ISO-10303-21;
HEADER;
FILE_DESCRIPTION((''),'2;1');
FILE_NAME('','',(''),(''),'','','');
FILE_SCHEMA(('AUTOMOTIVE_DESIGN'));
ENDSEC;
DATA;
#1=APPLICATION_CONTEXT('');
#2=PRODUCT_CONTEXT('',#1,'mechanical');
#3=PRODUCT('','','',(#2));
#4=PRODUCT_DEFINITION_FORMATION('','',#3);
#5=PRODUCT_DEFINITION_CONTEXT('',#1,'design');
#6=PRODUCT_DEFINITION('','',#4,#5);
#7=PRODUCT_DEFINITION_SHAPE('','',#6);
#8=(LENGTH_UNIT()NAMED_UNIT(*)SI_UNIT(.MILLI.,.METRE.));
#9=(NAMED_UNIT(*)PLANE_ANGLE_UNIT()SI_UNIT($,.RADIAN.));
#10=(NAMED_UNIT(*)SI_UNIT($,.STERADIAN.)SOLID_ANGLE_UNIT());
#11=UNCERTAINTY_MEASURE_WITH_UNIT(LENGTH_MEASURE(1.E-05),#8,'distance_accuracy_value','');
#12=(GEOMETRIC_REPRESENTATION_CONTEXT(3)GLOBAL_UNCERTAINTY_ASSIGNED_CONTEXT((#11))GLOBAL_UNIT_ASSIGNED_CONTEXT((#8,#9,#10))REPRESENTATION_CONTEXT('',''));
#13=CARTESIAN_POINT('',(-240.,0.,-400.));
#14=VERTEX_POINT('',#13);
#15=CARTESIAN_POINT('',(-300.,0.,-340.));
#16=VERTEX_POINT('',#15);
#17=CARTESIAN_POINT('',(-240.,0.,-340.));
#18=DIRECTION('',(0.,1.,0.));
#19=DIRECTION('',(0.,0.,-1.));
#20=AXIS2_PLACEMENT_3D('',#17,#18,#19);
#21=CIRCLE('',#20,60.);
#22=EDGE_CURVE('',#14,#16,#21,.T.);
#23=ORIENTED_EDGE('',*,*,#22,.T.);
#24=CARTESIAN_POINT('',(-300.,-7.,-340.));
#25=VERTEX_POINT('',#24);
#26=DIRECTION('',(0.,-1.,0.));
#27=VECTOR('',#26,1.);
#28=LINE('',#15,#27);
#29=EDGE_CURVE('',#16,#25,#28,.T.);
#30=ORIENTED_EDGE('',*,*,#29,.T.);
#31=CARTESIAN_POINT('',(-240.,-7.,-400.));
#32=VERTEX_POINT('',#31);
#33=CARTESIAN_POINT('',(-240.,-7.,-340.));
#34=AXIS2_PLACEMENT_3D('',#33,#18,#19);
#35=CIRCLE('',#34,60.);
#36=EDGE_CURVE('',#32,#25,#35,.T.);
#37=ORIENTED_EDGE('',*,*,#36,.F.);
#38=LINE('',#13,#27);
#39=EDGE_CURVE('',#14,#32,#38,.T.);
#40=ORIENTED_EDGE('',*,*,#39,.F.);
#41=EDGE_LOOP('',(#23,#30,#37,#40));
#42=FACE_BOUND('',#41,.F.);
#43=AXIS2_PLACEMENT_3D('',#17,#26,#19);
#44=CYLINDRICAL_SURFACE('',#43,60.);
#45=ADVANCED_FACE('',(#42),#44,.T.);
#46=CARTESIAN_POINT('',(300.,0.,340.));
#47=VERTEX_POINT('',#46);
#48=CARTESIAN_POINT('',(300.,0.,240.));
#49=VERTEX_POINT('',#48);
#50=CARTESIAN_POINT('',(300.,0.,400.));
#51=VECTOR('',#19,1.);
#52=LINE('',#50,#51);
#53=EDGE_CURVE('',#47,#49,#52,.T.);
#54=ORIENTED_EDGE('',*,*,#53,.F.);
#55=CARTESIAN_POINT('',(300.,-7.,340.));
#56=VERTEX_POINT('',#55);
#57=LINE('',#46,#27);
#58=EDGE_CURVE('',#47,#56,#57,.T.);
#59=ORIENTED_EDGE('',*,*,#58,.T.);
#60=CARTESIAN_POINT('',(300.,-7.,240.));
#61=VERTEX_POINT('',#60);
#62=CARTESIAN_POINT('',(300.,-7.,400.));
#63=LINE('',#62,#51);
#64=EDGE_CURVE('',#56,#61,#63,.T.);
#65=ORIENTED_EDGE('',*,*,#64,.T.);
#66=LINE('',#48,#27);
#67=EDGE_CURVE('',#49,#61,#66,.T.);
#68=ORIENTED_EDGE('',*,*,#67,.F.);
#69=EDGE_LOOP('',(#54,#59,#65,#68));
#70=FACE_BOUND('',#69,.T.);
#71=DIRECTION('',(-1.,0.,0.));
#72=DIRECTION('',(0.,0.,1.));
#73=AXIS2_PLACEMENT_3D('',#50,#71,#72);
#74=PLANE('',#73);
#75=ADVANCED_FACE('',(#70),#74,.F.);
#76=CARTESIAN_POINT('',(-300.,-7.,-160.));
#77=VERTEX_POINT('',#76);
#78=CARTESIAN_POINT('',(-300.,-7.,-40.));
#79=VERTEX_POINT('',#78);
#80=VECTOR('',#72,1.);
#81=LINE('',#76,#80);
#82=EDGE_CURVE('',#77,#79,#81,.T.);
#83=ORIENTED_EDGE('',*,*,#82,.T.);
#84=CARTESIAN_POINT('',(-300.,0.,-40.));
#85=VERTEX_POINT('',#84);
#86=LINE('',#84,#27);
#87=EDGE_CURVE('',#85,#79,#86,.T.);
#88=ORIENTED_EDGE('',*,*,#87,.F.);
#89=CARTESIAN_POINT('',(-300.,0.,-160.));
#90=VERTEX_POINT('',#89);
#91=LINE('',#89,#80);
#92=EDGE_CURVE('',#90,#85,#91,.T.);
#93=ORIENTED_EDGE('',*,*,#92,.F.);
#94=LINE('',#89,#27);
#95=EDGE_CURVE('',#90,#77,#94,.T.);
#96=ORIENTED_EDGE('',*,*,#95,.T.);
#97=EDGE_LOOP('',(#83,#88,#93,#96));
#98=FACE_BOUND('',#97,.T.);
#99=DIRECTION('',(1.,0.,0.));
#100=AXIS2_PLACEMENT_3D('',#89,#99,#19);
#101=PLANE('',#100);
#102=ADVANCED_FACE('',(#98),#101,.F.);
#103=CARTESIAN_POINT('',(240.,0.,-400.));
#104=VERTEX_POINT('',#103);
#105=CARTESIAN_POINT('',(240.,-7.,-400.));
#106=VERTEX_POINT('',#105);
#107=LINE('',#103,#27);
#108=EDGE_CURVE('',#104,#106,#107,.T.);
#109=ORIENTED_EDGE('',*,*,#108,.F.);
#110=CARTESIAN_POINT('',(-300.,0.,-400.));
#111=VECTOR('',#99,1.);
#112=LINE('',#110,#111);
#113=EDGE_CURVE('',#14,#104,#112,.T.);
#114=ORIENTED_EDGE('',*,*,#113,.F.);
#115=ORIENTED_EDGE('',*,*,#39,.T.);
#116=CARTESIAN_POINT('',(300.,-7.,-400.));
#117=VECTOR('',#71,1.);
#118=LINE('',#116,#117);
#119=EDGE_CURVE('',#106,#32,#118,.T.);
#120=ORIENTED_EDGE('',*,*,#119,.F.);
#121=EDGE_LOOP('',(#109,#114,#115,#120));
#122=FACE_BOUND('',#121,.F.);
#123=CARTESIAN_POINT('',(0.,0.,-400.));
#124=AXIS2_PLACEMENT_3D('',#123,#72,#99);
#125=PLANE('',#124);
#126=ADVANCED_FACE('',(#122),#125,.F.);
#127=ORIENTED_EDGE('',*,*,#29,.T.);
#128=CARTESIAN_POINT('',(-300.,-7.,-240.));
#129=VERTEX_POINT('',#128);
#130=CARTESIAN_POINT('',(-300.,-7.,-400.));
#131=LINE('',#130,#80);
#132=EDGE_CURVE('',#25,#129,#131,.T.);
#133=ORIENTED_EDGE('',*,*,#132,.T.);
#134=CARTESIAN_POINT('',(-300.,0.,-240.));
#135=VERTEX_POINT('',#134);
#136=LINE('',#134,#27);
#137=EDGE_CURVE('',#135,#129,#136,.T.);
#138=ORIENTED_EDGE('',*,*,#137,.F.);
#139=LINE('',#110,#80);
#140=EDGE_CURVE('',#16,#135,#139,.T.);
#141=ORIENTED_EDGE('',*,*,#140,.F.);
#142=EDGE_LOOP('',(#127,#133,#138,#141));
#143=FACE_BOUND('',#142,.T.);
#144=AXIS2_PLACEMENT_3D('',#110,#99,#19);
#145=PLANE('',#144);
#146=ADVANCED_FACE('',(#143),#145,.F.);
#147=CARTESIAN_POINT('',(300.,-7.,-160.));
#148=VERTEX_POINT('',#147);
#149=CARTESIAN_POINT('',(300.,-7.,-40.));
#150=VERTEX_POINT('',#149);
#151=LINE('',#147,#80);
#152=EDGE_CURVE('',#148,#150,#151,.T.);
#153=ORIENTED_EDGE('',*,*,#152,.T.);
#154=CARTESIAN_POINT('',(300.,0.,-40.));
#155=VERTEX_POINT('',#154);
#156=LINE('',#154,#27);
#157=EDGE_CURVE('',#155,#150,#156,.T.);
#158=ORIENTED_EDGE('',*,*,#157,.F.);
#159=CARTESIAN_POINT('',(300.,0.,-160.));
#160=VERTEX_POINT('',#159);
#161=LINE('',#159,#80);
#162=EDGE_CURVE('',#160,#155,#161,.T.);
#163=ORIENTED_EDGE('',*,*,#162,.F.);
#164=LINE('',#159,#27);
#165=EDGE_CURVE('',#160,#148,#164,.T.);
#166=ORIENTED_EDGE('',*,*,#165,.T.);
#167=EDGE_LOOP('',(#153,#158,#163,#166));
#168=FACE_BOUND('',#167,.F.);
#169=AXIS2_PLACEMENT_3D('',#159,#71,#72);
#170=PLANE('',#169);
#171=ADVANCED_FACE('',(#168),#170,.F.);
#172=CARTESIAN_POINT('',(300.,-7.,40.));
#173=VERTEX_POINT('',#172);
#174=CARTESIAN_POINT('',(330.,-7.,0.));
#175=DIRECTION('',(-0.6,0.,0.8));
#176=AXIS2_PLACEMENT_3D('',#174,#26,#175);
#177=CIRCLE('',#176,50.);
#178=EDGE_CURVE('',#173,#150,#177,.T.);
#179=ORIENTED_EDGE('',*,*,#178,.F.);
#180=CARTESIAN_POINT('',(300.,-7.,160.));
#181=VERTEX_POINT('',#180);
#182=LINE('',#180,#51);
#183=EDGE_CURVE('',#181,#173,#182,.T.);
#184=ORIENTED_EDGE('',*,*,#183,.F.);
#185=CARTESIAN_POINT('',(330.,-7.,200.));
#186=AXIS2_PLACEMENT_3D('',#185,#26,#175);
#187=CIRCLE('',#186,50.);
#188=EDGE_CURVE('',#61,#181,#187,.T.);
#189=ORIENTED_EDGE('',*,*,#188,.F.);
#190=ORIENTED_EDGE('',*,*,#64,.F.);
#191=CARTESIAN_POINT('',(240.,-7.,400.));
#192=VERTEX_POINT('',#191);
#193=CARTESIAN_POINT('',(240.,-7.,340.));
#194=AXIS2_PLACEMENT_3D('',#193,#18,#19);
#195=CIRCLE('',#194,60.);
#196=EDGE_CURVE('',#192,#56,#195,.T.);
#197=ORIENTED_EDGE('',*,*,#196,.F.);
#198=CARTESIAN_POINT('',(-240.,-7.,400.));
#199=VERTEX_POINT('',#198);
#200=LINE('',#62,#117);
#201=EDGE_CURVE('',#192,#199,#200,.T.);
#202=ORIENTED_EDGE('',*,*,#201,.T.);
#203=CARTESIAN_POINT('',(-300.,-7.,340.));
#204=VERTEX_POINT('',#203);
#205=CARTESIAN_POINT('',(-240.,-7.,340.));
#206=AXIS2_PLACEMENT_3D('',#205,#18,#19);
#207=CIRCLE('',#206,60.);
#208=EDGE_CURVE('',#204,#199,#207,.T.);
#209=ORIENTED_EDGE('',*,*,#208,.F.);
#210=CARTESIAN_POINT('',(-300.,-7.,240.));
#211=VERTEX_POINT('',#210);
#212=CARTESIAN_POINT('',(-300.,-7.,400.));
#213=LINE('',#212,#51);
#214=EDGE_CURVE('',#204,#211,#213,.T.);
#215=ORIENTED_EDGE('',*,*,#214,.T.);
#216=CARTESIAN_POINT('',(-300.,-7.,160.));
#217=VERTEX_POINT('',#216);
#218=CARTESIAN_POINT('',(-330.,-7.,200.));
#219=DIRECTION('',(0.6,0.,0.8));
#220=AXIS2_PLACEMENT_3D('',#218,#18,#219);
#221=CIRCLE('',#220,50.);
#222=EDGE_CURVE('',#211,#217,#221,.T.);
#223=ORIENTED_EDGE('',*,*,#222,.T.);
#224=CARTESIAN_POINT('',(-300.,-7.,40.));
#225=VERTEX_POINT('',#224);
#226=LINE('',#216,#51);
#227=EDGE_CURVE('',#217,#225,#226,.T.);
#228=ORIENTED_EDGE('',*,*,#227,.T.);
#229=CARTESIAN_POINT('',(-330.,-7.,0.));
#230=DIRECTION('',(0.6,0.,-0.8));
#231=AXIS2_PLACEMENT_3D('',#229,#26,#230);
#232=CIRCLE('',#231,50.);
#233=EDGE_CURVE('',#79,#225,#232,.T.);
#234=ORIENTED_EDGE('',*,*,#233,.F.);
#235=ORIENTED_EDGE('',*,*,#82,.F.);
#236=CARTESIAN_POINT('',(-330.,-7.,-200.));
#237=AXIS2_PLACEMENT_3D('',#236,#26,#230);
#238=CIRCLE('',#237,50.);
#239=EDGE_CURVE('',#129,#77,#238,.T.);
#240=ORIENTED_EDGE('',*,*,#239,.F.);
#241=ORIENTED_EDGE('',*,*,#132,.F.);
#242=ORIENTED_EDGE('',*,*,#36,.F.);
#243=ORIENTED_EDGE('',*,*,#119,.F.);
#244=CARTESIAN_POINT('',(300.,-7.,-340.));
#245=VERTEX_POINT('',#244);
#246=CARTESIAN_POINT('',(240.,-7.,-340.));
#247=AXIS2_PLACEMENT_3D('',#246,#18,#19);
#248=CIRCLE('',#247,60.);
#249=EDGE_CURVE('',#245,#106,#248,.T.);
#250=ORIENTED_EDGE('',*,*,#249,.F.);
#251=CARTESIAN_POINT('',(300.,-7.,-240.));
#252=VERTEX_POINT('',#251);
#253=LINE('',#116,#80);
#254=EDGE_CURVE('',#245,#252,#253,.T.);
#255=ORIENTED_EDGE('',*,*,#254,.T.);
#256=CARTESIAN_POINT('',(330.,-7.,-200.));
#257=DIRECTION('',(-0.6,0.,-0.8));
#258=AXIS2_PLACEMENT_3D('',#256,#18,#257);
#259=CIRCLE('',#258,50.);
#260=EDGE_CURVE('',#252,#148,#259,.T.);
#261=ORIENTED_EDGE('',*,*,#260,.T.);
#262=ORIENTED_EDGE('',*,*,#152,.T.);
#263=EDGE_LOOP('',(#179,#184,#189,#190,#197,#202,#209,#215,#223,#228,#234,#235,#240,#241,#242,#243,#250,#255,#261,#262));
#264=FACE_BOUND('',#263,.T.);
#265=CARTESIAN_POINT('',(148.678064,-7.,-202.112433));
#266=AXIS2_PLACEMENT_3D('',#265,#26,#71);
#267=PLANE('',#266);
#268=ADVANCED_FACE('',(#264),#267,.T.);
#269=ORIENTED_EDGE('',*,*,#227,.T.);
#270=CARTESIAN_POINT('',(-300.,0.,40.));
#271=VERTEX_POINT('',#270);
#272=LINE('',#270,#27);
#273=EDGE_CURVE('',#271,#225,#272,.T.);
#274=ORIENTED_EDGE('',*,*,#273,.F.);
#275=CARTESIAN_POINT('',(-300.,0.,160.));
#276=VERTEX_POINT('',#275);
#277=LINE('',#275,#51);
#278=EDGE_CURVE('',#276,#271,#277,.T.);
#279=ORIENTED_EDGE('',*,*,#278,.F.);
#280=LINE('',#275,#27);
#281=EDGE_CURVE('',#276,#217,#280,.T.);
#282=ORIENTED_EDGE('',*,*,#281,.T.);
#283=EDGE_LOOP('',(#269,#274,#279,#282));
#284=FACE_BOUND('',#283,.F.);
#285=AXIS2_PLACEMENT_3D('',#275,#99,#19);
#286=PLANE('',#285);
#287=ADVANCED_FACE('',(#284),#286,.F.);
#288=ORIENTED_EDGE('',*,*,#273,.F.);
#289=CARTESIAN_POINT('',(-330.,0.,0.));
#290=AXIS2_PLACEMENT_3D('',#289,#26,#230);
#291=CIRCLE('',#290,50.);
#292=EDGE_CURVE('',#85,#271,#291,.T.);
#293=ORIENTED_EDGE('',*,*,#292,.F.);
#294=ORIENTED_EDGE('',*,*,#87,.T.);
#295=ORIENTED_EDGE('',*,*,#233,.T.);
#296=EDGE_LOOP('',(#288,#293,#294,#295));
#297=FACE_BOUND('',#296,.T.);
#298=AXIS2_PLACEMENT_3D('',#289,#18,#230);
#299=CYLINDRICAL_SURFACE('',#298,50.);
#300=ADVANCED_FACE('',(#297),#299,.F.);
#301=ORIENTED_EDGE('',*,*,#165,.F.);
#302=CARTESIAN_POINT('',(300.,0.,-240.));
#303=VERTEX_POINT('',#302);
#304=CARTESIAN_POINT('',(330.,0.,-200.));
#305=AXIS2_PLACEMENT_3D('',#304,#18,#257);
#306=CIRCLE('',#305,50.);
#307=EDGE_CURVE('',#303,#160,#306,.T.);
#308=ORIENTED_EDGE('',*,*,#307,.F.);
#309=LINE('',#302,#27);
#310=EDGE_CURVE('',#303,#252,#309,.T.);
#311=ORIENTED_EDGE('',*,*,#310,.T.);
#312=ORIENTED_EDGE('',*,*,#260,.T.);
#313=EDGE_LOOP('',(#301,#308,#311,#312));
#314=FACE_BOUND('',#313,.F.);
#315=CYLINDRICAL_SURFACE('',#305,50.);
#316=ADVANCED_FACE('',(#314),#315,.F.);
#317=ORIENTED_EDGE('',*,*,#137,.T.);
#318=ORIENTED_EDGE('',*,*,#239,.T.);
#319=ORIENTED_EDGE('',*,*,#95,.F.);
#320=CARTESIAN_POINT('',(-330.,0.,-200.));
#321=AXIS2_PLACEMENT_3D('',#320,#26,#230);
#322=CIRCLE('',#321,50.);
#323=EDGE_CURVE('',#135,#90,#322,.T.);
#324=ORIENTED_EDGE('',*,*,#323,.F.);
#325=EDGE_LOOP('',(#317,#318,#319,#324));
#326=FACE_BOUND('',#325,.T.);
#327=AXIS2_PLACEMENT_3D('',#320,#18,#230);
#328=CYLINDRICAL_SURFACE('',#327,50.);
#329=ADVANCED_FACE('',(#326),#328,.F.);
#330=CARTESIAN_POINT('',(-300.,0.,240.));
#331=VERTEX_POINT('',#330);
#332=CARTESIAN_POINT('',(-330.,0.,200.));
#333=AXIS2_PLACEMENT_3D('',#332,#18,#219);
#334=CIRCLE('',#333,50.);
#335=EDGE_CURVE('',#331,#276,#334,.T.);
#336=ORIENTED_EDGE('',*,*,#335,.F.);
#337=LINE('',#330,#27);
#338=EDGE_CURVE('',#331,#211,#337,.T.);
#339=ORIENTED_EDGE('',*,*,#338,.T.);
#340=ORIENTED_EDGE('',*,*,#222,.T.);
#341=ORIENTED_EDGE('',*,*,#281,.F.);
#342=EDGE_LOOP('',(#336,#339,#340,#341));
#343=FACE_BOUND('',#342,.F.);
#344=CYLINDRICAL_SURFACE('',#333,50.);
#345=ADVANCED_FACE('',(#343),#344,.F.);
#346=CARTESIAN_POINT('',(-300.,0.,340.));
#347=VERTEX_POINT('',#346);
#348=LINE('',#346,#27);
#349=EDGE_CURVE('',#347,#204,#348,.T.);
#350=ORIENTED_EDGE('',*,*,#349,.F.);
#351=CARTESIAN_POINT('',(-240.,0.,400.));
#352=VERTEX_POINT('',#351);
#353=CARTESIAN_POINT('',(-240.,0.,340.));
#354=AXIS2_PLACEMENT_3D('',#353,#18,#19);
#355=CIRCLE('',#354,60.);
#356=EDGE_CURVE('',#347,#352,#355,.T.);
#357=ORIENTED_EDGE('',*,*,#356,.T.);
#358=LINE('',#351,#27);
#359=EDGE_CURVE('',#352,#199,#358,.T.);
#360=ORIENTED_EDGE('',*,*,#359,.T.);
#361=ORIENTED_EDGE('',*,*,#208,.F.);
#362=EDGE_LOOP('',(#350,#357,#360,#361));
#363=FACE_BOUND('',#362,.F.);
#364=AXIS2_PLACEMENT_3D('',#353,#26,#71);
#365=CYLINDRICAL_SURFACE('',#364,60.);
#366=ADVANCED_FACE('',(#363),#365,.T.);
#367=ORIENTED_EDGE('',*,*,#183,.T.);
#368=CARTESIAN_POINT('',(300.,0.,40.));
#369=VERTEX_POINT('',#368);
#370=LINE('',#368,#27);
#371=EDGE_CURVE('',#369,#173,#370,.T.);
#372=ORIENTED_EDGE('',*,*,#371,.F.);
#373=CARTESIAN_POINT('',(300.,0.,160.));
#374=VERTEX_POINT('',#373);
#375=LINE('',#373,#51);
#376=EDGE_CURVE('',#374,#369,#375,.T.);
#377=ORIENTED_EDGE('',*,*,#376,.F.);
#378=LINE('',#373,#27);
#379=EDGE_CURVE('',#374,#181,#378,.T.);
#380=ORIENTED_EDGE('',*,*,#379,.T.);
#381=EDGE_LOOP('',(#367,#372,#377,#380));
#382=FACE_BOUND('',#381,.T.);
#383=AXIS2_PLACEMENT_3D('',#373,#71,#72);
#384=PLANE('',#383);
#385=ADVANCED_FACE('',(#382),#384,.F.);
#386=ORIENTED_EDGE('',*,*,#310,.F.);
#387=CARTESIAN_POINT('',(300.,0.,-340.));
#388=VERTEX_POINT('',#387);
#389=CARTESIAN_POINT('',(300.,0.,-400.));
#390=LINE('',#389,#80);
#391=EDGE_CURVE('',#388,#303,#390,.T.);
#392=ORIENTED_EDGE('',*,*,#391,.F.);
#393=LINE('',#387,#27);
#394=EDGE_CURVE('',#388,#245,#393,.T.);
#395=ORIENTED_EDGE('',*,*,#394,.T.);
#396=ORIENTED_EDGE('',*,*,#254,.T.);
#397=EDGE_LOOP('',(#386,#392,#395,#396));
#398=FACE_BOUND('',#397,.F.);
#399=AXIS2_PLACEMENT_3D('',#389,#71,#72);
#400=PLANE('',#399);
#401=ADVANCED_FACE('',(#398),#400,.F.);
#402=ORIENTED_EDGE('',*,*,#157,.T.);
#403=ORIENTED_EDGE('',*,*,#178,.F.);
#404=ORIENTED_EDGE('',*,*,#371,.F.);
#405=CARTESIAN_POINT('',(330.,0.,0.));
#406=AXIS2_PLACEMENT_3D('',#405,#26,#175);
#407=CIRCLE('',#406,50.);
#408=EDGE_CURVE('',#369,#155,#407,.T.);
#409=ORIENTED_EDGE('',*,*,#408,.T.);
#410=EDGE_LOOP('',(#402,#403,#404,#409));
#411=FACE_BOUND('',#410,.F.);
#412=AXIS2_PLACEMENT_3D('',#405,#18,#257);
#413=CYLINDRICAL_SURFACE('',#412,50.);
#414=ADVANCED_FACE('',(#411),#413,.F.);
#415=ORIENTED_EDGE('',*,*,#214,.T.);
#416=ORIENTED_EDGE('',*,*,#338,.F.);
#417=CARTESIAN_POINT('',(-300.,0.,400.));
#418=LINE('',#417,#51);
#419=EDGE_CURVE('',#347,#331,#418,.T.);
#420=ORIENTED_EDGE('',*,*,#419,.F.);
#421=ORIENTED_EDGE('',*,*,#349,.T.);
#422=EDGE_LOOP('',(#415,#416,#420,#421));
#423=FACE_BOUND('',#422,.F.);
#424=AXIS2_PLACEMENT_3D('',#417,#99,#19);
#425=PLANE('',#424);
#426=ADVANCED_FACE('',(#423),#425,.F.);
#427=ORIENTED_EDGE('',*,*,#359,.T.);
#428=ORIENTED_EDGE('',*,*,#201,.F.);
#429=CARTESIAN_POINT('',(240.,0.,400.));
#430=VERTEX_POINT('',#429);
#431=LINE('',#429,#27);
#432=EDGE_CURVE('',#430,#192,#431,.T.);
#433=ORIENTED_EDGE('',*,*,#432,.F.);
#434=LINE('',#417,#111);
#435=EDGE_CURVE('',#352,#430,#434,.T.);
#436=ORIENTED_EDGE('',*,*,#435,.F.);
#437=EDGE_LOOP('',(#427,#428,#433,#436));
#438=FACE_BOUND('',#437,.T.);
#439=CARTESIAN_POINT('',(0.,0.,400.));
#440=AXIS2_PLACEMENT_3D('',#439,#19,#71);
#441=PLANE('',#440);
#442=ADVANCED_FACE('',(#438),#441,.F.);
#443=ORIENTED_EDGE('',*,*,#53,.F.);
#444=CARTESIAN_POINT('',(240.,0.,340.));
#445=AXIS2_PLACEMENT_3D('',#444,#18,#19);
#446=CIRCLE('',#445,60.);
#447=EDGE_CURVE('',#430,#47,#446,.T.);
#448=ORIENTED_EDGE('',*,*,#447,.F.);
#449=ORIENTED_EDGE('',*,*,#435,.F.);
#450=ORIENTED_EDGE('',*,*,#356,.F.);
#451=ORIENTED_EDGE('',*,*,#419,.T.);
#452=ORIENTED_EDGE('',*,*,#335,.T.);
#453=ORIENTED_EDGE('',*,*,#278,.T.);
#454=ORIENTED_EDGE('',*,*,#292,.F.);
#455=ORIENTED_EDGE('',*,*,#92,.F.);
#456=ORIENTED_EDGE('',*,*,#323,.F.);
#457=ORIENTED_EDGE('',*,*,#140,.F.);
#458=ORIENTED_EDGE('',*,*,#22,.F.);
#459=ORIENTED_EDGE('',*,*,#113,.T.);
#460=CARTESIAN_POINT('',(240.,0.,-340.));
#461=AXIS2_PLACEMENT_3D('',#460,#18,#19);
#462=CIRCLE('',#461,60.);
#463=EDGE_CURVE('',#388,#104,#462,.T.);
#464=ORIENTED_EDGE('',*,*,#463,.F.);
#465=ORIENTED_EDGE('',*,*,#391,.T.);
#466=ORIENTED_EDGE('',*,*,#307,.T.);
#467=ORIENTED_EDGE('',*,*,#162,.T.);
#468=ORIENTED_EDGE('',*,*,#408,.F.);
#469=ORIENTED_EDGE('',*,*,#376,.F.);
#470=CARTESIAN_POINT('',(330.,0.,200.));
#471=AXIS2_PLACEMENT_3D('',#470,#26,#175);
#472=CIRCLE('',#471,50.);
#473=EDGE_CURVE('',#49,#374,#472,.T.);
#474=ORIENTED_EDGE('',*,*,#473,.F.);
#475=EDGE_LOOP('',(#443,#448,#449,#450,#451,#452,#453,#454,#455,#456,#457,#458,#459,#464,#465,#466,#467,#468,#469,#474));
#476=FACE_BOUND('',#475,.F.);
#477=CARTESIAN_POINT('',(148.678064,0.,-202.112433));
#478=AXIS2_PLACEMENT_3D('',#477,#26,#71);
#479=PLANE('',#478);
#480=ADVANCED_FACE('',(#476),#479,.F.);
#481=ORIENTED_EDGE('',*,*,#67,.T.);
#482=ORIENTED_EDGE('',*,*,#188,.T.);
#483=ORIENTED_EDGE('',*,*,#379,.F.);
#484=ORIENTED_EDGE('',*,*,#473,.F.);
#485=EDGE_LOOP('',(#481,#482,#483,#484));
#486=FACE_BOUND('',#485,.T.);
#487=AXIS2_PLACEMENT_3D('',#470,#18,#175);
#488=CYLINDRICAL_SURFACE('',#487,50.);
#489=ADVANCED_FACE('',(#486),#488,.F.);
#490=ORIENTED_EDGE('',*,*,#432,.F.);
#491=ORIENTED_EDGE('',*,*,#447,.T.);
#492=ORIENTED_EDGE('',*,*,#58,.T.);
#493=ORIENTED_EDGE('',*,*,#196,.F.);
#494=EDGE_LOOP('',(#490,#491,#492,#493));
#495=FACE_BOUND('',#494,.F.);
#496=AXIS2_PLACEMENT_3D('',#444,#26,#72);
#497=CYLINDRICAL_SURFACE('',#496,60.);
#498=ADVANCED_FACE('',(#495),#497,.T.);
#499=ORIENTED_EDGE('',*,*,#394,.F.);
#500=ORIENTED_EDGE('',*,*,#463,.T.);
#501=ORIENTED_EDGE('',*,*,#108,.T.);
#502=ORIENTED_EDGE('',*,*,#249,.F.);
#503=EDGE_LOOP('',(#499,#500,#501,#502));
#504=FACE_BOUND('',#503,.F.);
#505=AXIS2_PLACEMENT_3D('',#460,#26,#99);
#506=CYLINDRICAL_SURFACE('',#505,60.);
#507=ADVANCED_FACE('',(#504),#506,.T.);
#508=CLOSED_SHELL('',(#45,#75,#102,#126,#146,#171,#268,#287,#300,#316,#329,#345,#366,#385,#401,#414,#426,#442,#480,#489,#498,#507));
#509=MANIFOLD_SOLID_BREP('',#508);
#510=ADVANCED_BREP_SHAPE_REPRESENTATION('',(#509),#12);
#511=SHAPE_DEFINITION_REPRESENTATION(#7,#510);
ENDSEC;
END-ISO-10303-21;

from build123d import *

# Parameters (mm, degrees)
F1_DEPTH = 7
F4_R     = 60


with BuildPart() as f1:
    # F0 (on Front) → F1 (new body)
    with BuildSketch(Plane.XZ):
        with BuildLine():
            Line((-280, 0), (0, 0))
            Line((0, 0), (0, 400))
            Line((0, 400), (-300, 400))
            Line((-300, 400), (-300, 240))
            ThreePointArc((-300, 240), (-285.27864045, 222.360679775), (-280, 200))
            ThreePointArc((-280, 200), (-285.27864045, 177.639320225), (-300, 160))
            Line((-300, 160), (-300, 40))
            ThreePointArc((-300, 40), (-285.27864045, 22.360679775), (-280, 0))
        make_face()
    extrude(amount=F1_DEPTH)

    # F2: F1 across plane


with BuildPart() as f1_1:
    add(f1.part)
    add(f1.part.mirror(Plane.YZ))

    # F3: F1 across plane


with BuildPart() as f1_2:
    add(f1_1.part)
    add(f1_1.part.mirror(Plane.XY))

    # F4
    f4_edges = [f1_2.edges().sort_by_distance(p)[0] for p in [
        (-300, -3.5, 400),
        (300, -3.5, 400),
        (300, -3.5, -400),
        (-300, -3.5, -400),
    ]]
    fillet(f4_edges, radius=F4_R)


solid = f1_2.part
